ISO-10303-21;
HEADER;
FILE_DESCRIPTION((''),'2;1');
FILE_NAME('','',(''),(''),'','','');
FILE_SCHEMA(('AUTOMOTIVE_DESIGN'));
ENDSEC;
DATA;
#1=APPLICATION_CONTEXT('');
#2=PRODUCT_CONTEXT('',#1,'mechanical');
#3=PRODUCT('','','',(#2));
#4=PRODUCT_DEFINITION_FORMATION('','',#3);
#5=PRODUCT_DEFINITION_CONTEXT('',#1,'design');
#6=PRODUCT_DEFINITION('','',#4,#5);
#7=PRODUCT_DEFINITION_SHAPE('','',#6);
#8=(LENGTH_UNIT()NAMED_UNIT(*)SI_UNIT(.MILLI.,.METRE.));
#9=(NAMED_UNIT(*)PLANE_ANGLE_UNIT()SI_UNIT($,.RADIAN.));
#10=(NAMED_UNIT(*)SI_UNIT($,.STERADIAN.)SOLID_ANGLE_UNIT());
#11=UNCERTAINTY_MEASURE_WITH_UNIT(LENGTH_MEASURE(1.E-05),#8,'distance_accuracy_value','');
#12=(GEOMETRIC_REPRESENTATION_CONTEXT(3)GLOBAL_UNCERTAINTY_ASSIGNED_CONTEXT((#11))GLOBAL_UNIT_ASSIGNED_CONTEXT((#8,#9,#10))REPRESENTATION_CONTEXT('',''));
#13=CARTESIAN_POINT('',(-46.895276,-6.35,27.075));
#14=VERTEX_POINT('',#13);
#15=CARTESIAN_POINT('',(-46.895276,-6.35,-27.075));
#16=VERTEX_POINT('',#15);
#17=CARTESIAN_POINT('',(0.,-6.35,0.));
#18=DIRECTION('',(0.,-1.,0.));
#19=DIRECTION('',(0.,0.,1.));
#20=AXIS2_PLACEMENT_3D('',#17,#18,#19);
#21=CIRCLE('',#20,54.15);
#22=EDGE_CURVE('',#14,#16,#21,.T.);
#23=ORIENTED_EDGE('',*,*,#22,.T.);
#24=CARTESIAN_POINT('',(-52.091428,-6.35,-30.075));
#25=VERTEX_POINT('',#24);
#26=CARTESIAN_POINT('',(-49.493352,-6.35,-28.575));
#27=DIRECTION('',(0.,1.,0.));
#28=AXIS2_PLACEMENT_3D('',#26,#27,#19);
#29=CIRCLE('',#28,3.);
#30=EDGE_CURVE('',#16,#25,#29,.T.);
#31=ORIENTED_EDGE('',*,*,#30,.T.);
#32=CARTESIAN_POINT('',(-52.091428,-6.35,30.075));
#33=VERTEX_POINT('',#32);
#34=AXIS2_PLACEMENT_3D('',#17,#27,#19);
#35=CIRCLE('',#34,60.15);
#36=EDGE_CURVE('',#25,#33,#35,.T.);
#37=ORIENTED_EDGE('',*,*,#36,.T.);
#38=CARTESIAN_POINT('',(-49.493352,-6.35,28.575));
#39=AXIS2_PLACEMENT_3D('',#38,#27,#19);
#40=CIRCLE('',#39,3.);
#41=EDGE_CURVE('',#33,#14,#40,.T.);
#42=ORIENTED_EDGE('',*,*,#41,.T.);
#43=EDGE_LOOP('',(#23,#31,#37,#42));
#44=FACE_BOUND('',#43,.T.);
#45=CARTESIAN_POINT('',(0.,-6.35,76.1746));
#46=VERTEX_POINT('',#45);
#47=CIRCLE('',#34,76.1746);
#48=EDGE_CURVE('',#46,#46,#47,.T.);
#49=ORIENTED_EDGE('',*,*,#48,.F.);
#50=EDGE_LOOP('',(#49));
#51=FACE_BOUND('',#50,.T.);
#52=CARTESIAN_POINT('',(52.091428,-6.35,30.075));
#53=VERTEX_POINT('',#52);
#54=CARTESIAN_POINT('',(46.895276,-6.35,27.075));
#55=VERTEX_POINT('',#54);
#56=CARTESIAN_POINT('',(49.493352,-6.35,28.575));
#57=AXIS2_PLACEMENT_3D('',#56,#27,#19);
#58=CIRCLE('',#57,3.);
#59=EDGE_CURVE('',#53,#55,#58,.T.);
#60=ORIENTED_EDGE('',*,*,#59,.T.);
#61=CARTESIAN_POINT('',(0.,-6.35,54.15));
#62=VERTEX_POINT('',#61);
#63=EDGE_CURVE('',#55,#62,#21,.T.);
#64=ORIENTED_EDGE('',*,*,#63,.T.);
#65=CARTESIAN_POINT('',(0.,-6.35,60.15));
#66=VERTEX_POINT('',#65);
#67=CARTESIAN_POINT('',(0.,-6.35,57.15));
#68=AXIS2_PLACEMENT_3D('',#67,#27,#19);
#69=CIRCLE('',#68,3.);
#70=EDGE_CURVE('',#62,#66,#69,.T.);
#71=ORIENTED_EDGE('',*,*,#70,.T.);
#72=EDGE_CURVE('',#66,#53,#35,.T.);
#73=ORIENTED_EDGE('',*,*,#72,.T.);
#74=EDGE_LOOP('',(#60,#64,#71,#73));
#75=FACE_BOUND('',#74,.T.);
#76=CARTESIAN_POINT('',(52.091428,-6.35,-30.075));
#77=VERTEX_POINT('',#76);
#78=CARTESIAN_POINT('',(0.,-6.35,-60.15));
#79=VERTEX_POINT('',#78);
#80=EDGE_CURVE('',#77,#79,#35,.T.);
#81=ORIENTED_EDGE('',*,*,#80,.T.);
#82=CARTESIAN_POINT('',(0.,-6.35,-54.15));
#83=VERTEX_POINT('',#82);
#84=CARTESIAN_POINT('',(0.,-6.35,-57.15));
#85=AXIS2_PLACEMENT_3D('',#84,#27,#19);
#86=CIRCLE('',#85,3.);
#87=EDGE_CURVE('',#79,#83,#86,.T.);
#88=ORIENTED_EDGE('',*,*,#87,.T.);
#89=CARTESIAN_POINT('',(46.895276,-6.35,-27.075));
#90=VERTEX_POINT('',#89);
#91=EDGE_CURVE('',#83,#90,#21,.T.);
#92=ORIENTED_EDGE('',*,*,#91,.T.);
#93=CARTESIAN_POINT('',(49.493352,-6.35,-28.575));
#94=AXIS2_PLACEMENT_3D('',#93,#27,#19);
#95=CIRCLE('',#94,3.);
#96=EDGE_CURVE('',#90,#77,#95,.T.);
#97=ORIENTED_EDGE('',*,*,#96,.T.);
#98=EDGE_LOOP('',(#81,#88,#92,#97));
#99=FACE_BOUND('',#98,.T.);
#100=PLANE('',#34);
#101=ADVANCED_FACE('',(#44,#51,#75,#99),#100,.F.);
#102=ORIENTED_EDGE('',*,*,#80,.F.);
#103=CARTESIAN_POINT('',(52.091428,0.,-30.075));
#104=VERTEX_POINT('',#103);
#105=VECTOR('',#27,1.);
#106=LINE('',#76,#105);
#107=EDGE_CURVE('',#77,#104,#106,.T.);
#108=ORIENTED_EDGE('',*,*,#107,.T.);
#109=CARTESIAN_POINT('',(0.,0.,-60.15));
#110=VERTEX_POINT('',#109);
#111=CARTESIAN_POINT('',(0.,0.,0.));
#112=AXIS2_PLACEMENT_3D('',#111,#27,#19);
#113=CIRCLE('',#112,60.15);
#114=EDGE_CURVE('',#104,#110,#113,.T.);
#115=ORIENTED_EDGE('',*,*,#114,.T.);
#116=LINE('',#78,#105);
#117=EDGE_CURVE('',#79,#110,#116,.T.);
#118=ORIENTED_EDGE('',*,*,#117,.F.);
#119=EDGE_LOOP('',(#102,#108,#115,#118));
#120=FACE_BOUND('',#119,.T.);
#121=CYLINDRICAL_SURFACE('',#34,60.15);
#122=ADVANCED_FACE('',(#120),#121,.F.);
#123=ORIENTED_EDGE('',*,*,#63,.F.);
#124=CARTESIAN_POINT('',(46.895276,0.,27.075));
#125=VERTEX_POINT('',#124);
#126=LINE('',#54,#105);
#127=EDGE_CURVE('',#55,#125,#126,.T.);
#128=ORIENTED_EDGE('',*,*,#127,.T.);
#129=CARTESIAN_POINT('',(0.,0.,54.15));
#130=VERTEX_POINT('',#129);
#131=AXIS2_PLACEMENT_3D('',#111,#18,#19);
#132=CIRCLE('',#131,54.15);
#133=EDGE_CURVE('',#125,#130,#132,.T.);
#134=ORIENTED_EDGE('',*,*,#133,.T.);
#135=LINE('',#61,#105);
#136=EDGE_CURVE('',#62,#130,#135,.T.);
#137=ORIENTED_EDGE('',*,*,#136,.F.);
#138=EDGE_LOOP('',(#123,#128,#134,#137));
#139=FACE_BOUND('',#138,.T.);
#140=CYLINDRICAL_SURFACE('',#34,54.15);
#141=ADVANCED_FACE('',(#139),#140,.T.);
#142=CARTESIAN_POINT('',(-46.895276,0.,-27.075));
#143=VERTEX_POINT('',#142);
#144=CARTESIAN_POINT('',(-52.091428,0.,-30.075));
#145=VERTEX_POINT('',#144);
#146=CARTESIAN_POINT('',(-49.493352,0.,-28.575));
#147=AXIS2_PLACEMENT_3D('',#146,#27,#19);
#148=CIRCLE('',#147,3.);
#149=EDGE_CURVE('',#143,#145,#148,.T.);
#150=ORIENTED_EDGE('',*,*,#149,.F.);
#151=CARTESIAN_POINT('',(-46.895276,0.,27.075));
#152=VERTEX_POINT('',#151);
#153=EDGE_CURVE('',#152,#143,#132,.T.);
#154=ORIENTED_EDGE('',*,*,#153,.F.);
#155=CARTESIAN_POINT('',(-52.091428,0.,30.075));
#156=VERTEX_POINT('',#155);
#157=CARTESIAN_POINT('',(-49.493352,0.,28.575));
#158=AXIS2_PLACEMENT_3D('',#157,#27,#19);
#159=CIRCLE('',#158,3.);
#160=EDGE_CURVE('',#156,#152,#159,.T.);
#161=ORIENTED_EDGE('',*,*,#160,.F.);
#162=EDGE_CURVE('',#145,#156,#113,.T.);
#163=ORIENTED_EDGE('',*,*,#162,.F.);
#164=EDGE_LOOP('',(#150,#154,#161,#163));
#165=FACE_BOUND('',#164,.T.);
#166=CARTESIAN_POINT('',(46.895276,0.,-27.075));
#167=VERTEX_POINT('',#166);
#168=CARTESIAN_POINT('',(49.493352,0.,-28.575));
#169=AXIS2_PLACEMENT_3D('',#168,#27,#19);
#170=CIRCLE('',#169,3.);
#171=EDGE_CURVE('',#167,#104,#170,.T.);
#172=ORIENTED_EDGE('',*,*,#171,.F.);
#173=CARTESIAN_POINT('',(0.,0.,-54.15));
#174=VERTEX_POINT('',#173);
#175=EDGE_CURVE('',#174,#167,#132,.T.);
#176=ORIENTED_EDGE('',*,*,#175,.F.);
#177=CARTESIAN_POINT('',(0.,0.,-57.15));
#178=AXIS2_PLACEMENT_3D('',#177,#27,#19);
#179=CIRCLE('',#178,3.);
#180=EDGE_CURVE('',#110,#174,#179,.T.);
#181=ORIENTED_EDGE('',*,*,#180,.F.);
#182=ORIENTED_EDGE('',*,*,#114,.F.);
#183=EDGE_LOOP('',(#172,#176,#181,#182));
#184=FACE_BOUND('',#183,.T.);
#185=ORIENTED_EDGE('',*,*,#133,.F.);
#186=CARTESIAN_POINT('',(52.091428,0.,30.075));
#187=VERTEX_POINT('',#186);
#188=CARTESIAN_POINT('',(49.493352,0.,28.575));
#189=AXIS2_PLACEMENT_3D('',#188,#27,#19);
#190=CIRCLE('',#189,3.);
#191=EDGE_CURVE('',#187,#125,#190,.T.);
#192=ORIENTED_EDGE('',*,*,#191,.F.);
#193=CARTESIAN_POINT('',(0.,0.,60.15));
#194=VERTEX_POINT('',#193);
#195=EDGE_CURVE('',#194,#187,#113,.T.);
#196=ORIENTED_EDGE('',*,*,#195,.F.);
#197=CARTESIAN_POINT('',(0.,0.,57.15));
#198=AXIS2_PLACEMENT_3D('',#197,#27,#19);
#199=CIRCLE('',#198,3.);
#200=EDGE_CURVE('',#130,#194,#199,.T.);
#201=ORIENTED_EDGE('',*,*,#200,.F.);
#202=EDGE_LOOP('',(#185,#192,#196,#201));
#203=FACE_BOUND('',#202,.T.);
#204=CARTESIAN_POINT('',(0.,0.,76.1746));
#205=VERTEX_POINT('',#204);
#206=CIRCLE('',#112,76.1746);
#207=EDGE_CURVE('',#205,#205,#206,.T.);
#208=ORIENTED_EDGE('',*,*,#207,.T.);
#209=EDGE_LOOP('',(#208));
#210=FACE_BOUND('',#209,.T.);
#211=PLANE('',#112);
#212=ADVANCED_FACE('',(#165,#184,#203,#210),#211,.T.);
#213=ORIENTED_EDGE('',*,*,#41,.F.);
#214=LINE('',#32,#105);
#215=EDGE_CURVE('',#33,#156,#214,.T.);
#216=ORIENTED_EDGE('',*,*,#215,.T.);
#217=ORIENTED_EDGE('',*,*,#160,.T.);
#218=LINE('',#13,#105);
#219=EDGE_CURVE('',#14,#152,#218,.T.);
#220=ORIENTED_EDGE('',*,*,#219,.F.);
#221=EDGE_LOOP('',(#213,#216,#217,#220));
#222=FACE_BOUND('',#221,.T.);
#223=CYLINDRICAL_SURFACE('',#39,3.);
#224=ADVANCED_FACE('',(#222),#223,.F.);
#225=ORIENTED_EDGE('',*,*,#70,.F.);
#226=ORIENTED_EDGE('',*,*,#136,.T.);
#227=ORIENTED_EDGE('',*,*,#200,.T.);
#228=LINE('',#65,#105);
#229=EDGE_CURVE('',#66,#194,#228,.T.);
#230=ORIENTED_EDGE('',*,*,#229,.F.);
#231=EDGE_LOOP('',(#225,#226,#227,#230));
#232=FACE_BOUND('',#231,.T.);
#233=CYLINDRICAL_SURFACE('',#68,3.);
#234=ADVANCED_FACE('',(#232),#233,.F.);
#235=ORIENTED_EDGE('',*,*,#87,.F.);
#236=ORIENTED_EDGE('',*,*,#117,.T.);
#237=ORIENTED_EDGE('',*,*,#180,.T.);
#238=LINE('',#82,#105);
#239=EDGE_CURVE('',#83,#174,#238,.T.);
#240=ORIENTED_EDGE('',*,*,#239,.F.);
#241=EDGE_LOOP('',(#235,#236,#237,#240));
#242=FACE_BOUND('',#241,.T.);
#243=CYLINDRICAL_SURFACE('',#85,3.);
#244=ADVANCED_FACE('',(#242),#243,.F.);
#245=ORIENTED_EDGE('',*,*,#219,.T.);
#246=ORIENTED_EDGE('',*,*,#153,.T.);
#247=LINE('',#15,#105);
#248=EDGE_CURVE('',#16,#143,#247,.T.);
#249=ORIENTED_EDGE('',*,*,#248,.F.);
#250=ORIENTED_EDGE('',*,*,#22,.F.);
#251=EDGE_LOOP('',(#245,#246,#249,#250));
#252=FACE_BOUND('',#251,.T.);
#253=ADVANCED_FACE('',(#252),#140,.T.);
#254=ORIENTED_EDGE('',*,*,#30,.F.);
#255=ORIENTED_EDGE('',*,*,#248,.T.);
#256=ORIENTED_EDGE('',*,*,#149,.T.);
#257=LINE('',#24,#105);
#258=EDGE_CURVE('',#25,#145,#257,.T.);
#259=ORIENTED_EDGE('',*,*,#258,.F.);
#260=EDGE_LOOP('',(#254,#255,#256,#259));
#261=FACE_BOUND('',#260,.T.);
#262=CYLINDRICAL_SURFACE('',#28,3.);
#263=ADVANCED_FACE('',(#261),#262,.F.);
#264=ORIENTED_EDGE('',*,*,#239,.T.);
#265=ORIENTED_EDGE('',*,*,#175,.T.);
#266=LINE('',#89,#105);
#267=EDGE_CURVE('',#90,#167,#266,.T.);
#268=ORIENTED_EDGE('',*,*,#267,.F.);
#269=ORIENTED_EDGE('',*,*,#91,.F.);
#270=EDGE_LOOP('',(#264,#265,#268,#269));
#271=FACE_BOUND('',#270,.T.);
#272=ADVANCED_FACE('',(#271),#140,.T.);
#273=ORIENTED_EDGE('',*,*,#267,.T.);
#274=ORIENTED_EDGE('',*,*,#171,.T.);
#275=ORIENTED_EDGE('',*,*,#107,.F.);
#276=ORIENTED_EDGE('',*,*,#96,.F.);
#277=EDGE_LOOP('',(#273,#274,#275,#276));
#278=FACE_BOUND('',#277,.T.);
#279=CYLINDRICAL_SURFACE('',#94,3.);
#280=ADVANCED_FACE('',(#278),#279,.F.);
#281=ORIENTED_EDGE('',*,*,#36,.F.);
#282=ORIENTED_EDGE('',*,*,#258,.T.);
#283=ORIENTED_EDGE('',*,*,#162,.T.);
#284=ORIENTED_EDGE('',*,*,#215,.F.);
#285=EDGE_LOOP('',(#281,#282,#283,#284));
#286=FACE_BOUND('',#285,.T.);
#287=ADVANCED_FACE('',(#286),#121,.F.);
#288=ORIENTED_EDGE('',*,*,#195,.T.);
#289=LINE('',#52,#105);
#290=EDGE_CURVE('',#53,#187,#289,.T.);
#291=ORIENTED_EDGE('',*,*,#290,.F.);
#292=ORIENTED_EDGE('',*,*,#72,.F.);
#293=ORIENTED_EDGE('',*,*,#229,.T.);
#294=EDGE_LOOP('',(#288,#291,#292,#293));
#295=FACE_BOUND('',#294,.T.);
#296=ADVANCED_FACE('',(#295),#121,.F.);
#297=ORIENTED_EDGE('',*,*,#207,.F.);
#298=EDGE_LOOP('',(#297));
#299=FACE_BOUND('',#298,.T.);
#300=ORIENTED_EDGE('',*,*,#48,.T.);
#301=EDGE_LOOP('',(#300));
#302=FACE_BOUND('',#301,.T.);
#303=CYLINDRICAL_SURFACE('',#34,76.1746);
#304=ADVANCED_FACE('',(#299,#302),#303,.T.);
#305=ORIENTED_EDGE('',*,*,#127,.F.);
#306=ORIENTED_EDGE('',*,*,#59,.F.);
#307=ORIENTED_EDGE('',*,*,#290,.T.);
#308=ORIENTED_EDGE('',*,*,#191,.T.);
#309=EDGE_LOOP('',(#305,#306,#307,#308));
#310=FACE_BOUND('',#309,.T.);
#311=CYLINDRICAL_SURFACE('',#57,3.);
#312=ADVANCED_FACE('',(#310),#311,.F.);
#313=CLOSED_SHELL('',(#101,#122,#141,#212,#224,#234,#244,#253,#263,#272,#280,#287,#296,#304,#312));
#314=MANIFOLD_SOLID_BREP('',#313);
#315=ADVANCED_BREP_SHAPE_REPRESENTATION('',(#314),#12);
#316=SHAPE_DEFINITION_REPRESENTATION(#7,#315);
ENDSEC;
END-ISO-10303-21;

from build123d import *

# Parameters (mm, degrees)
SKETCH2_R           = 76.1746
BOSS_EXTRUDE1_DEPTH = 6.35


with BuildPart() as part:
    # Sketch2 → Boss-Extrude1 (new body)
    with BuildSketch(Plane(origin=(0, 0, 0), x_dir=(1, 0, 0), z_dir=(0, 1, 0))):
        Circle(SKETCH2_R)
        with BuildLine():
            ThreePointArc((52.091428011, 30.074999984), (30.074999985, 52.091428011), (0, 60.149999969))
            ThreePointArc((0, 60.149999969), (-2.999999969, 57.15), (0, 54.150000031))
            ThreePointArc((0, 54.150000031), (27.075000016, 46.895275642), (46.895275642, 27.075000015))
            ThreePointArc((46.895275642, 27.075000015), (50.993351811, 25.976923815), (52.091428011, 30.074999984))
        make_face(mode=Mode.SUBTRACT)
        with BuildLine():
            ThreePointArc((0, -54.150000031), (27.075000016, -46.895275642), (46.895275642, -27.075000015))
            ThreePointArc((46.895275642, -27.075000015), (50.993351811, -25.976923815), (52.091428011, -30.074999985))
            ThreePointArc((52.091428011, -30.074999985), (30.074999984, -52.091428011), (0, -60.149999969))
            ThreePointArc((0, -60.149999969), (-2.999999969, -57.15), (0, -54.150000031))
        make_face(mode=Mode.SUBTRACT)
        with BuildLine():
            ThreePointArc((-46.895275642, 27.075000015), (-54.150000031, 0), (-46.895275642, -27.075000016))
            ThreePointArc((-46.895275642, -27.075000016), (-47.993351842, -31.173076185), (-52.091428011, -30.074999985))
            ThreePointArc((-52.091428011, -30.074999985), (-60.149999969, 0), (-52.091428011, 30.074999984))
            ThreePointArc((-52.091428011, 30.074999984), (-47.993351842, 31.173076185), (-46.895275642, 27.075000015))
        make_face(mode=Mode.SUBTRACT)
    extrude(amount=-BOSS_EXTRUDE1_DEPTH)


solid = part.part
